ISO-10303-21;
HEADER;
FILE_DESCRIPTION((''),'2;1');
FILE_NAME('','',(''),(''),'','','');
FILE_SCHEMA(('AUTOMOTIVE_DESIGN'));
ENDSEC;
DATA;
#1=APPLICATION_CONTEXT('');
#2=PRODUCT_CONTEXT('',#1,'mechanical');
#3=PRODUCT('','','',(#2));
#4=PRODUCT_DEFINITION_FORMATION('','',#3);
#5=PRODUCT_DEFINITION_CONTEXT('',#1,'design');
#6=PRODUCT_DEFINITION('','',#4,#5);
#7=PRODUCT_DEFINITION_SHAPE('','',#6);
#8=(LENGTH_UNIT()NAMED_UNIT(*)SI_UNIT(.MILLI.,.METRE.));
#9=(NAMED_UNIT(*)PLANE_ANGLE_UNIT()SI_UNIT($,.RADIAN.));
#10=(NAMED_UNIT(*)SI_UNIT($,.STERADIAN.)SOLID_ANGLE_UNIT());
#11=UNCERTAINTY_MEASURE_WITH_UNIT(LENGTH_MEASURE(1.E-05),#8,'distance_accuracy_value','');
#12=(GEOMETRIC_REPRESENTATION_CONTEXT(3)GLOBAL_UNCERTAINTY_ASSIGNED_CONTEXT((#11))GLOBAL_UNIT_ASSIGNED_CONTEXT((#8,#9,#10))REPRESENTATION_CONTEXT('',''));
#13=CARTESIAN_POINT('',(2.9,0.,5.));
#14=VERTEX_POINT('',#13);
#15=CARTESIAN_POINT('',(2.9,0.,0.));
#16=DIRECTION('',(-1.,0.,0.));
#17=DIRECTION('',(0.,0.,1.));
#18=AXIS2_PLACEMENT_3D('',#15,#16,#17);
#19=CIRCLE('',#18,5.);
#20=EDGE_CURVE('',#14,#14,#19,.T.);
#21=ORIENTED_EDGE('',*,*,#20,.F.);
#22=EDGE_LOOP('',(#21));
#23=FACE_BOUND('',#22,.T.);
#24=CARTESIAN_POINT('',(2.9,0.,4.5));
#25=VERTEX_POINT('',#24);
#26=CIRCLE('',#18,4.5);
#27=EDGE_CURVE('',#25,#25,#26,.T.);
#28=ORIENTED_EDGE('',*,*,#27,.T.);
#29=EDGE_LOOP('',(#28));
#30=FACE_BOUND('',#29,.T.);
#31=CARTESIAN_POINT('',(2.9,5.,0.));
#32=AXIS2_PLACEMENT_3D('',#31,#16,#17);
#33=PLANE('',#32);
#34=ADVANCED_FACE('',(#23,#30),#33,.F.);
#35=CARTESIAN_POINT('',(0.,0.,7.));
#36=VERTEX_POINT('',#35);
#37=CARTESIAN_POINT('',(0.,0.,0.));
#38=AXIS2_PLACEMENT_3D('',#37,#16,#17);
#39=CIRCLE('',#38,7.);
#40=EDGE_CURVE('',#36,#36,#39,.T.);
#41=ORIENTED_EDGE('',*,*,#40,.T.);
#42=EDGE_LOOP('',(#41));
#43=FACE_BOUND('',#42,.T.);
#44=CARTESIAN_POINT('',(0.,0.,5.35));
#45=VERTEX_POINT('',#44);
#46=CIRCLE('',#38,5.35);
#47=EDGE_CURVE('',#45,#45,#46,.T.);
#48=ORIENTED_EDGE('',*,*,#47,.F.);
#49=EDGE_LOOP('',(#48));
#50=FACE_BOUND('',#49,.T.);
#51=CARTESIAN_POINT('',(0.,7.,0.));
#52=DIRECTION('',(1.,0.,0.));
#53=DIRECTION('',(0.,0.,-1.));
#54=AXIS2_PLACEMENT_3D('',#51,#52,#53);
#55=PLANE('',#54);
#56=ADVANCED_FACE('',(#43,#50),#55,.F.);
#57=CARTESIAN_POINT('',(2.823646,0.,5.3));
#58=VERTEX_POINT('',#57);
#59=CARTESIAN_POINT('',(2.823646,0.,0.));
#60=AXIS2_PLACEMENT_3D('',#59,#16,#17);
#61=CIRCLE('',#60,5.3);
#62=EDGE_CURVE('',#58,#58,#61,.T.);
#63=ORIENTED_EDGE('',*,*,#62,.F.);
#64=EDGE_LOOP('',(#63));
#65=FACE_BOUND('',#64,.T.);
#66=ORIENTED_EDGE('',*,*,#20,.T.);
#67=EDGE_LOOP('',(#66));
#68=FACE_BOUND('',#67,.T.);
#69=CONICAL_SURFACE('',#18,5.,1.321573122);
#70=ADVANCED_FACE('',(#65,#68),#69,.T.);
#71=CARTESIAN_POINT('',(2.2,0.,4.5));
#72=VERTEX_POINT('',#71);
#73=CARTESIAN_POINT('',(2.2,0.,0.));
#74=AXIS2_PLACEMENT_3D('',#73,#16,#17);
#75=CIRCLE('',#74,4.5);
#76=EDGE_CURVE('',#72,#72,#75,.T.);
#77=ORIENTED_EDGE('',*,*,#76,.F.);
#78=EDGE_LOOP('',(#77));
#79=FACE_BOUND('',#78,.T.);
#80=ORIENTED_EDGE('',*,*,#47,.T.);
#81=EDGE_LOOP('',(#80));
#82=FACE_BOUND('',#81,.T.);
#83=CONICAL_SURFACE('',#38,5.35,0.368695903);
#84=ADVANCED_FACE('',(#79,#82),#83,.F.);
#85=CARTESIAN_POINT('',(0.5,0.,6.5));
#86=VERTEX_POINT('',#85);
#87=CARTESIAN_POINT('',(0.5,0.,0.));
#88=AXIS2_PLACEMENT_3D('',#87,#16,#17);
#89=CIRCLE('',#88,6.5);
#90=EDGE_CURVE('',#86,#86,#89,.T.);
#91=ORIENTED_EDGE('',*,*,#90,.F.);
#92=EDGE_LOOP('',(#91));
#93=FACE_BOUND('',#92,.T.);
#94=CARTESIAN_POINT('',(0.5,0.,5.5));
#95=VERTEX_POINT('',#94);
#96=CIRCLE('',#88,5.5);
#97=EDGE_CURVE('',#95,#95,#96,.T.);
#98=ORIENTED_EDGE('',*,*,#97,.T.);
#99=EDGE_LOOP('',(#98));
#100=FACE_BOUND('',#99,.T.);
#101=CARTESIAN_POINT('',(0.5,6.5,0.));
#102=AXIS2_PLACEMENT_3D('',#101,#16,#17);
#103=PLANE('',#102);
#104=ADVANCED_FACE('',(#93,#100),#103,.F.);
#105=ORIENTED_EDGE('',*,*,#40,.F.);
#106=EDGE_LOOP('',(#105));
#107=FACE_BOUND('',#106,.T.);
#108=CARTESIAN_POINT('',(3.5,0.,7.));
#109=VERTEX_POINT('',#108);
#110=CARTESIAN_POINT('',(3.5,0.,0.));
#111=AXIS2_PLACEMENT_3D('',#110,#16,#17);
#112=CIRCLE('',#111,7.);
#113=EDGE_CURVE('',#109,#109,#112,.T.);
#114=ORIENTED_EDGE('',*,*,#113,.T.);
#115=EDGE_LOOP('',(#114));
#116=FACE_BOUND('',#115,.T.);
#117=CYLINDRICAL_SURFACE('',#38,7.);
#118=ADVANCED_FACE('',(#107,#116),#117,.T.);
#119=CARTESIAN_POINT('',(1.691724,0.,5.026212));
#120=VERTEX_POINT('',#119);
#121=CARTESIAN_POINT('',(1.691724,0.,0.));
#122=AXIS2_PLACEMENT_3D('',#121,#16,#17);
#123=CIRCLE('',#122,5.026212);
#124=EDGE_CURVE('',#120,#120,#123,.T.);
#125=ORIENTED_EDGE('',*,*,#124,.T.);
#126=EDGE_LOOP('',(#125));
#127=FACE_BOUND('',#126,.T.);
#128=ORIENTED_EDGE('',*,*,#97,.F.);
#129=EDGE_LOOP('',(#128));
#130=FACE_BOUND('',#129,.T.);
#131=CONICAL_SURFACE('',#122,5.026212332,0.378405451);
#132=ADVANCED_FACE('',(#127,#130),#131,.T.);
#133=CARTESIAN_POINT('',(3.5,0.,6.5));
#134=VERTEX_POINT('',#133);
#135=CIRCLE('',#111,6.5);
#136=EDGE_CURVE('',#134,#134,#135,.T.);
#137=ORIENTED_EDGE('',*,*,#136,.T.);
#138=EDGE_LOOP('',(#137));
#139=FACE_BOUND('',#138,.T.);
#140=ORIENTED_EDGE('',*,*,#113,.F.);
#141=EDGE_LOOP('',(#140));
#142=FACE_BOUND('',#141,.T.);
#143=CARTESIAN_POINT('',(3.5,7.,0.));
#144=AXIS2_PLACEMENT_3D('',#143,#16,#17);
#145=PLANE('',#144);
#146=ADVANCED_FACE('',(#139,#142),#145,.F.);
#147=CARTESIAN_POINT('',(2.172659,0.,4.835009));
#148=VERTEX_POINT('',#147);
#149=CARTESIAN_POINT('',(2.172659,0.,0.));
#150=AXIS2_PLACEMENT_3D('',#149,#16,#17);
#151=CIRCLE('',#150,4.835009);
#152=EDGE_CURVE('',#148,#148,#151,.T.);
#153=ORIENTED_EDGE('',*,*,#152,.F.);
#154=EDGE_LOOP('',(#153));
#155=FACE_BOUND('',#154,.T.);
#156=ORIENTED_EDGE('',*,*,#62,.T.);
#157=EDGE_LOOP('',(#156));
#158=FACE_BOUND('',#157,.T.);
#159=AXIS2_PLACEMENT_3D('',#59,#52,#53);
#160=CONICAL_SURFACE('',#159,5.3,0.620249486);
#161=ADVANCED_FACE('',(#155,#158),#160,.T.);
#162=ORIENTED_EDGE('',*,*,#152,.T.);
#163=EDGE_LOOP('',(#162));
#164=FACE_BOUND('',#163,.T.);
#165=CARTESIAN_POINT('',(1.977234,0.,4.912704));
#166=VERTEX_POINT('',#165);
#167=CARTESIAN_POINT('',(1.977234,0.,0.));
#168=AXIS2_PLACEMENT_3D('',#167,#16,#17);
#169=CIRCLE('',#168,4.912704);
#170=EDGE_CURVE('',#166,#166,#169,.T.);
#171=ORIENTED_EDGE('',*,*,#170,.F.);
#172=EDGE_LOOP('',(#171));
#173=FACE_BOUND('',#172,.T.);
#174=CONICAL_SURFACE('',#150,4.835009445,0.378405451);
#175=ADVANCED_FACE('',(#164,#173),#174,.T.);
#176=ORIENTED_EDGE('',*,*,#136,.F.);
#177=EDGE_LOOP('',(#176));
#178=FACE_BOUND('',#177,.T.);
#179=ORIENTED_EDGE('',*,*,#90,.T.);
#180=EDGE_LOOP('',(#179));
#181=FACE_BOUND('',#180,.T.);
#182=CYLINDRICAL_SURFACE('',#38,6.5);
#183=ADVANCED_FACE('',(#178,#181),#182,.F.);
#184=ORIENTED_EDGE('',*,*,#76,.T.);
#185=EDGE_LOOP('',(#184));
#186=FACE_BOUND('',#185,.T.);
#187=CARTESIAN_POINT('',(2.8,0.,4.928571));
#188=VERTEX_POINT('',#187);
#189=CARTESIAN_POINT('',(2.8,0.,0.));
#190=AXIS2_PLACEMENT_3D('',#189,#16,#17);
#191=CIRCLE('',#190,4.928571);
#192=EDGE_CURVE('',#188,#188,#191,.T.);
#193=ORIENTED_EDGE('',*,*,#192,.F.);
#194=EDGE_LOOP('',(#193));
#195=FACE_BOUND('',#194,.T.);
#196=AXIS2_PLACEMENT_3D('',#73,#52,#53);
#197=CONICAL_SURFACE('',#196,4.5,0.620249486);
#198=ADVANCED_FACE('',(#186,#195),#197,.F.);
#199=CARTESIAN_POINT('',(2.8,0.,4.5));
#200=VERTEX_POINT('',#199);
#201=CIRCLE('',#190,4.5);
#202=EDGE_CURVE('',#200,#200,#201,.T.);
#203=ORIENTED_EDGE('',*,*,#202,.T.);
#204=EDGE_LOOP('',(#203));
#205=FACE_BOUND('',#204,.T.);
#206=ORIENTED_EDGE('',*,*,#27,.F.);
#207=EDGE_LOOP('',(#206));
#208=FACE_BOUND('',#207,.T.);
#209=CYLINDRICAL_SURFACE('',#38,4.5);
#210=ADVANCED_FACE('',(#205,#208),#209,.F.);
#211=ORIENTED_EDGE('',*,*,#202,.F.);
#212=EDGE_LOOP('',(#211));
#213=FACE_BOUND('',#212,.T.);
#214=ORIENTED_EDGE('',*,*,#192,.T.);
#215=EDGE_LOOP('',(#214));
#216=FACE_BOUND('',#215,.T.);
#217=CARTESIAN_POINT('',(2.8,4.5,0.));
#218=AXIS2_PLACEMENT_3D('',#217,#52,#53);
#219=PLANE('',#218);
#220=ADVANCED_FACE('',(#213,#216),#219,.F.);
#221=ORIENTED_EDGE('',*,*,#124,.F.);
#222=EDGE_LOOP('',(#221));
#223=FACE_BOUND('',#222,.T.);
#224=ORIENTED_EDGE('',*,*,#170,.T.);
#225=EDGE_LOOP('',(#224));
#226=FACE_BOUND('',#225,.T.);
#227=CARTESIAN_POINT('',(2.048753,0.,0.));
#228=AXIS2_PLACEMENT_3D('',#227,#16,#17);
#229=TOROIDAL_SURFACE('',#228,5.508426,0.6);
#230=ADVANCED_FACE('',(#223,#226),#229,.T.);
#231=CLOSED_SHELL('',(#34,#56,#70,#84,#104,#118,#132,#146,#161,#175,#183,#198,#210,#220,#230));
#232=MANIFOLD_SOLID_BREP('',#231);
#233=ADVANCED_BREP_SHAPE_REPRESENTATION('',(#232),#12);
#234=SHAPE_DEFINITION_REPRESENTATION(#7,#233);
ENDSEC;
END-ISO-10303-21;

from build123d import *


with BuildPart() as part:
    # Sketch1 → Revolve5 (revolve)
    with BuildSketch(Plane.XY, mode=Mode.PRIVATE) as revolve5_sk:
        with BuildLine():
            Line((0, 7), (3.5, 7))
            Line((3.5, 7), (3.5, 6.5))
            Line((3.5, 6.5), (0.5, 6.5))
            Line((0.5, 6.5), (0.5, 5.5))
            Line((0.5, 5.5), (1.691723883, 5.026212332))
            ThreePointArc((1.691723883, 5.026212332), (2.270416983, 6.065978794), (1.977233578, 4.912703679))
            Line((1.977233578, 4.912703679), (2.17265883, 4.835009445))
            Line((2.17265883, 4.835009445), (2.823645607, 5.3))
            Line((2.823645607, 5.3), (2.9, 5))
            Line((2.9, 5), (2.9, 4.5))
            Line((2.9, 4.5), (2.8, 4.5))
            Line((2.8, 4.5), (2.8, 4.928571429))
            Line((2.8, 4.928571429), (2.2, 4.5))
            Line((2.2, 4.5), (0, 5.35))
            Line((0, 5.35), (0, 7))
        make_face()
    revolve(revolve5_sk.sketch.rotate(Axis((0, 0, 0), (1, 0, 0)), 90), axis=Axis((0, 0, 0), (1, 0, 0)))


solid = part.part
